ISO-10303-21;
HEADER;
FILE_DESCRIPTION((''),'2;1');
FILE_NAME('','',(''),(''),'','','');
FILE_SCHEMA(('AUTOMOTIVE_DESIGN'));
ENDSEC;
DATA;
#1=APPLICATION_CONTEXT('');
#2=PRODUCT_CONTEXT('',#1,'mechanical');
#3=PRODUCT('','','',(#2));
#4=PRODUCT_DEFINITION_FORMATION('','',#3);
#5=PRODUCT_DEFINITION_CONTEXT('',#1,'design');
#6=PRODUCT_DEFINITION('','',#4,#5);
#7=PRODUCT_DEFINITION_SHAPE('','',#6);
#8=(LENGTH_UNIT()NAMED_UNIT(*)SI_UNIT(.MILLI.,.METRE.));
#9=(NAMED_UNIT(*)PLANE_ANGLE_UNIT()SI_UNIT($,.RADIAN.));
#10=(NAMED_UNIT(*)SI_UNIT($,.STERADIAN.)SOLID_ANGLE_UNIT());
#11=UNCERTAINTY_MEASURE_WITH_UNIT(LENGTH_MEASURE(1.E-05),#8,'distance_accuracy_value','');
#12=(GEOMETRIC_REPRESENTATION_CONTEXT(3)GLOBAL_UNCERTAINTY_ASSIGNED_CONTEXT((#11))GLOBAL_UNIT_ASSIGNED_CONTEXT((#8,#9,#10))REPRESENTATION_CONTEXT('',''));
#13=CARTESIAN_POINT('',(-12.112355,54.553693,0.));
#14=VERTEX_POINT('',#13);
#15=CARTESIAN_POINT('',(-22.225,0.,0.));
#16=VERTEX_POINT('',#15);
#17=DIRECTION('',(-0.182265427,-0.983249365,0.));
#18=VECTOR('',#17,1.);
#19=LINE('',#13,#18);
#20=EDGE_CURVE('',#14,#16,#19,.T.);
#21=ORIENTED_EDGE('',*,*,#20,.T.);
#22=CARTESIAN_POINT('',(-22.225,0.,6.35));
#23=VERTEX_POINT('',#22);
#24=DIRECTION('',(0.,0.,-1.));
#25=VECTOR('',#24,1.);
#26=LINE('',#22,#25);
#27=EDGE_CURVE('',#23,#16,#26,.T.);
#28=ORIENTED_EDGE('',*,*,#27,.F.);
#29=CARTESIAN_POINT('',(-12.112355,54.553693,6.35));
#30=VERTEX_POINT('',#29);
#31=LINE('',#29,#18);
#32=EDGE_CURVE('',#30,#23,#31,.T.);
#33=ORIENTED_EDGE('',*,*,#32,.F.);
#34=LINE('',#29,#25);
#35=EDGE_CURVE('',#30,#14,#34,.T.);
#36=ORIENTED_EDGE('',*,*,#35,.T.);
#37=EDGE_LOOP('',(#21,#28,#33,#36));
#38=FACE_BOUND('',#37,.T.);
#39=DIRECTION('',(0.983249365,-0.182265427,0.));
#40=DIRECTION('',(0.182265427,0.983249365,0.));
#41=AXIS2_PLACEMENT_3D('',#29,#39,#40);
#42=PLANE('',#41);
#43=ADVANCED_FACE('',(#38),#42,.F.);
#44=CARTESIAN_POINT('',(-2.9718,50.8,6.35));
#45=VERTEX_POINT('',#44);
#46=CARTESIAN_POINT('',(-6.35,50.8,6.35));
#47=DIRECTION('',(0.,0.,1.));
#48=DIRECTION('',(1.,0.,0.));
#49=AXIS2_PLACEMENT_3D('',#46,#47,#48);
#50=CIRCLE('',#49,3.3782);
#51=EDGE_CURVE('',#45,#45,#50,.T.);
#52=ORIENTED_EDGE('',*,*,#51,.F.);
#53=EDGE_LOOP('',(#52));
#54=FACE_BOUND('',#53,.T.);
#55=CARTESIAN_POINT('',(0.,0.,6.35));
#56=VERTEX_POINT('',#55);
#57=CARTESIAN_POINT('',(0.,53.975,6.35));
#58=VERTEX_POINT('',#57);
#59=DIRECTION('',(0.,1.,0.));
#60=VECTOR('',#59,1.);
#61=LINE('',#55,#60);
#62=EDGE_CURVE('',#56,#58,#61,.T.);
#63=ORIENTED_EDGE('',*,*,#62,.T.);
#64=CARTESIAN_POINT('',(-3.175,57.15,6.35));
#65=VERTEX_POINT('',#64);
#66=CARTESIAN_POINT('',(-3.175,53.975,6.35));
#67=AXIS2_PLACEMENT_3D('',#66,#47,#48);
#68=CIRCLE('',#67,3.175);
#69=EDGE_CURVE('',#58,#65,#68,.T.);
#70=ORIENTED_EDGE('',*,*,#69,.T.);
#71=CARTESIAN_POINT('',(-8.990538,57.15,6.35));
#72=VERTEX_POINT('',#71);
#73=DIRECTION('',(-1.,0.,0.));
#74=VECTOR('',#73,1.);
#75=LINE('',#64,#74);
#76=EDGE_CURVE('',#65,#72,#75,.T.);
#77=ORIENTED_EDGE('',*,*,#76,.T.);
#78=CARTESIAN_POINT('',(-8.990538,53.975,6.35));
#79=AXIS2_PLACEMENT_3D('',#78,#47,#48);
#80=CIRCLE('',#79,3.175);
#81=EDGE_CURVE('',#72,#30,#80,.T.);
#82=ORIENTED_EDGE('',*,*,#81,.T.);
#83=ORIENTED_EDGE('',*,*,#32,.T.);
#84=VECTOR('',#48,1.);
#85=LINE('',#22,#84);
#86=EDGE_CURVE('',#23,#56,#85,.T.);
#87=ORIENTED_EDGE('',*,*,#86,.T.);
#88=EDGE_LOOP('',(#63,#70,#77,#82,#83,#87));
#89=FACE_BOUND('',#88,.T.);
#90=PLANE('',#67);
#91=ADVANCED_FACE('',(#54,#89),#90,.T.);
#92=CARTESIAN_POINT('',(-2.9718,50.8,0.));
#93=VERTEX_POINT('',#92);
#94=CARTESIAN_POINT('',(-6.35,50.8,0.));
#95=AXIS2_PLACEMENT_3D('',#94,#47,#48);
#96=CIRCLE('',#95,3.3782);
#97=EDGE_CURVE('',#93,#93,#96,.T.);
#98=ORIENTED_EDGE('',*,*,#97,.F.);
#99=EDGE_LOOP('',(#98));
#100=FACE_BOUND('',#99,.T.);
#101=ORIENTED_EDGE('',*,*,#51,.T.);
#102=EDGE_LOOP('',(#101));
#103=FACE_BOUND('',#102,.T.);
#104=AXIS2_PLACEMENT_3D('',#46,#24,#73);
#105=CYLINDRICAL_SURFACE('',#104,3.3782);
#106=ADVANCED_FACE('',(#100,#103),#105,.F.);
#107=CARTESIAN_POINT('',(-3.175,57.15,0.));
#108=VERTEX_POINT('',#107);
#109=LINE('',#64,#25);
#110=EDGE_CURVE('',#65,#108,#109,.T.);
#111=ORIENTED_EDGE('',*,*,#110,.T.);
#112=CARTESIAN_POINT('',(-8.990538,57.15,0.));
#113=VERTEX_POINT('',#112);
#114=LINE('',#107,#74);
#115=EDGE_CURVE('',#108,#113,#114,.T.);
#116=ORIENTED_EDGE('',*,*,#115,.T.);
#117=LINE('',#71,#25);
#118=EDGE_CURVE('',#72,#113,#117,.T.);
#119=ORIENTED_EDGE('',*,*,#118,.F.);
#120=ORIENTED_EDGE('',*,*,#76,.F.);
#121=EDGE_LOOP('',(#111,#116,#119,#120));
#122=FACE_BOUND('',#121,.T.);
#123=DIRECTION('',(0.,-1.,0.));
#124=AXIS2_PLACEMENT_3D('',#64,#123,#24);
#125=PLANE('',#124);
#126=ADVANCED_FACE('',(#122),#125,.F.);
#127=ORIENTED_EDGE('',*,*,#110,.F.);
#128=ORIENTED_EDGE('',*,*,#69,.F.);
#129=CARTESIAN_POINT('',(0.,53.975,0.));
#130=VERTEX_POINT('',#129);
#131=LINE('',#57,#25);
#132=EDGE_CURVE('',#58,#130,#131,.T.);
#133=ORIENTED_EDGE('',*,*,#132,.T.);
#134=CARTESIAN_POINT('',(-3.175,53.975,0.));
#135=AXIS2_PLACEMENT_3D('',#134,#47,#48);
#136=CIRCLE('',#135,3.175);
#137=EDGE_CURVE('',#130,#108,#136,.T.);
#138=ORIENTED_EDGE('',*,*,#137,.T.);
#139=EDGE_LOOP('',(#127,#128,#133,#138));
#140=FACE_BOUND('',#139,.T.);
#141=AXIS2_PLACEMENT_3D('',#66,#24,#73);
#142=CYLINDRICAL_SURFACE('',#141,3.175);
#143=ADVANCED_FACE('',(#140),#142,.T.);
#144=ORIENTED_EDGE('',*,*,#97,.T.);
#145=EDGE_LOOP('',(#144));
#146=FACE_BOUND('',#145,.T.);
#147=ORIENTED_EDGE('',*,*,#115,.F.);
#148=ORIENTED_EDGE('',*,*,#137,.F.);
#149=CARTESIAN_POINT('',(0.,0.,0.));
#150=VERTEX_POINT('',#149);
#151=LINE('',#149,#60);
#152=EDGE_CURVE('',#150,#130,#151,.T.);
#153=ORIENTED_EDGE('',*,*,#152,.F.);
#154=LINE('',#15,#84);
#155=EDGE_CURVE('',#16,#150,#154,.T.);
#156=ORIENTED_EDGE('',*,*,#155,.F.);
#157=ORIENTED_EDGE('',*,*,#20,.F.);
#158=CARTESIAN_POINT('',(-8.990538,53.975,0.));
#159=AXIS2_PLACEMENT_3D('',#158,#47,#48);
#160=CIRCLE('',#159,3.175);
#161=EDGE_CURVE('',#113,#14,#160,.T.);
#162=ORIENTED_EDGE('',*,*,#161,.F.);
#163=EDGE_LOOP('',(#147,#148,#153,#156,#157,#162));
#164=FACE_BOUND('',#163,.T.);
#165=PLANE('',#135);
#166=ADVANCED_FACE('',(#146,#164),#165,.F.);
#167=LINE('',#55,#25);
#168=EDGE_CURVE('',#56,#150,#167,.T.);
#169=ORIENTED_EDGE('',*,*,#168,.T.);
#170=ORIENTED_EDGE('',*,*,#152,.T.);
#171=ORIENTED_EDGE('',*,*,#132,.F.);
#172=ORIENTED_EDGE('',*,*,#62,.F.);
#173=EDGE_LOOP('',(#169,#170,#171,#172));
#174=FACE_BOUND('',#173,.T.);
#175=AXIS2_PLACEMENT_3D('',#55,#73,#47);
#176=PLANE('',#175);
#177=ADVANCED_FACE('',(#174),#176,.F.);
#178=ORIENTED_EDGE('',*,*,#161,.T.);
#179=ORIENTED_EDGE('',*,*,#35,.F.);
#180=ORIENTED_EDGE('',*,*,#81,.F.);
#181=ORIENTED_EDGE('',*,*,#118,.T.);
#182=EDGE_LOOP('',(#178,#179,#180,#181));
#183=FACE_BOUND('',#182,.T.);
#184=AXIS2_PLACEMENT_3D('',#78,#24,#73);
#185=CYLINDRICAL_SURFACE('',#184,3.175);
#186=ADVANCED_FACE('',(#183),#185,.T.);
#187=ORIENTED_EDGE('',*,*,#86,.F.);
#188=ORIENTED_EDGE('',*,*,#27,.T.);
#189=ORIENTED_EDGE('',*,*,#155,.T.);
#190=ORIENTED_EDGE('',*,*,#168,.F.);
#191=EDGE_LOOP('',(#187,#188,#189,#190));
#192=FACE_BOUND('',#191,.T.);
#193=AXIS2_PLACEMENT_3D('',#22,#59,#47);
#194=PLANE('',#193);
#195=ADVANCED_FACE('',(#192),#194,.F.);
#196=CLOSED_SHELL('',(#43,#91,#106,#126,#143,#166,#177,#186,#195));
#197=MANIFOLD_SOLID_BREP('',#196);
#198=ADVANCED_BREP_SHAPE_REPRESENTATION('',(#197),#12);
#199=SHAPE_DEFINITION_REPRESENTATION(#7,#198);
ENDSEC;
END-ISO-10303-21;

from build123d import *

# Parameters (mm, degrees)
SKETCH1_R           = 3.3782
BOSS_EXTRUDE1_DEPTH = 6.35


with BuildPart() as part:
    # Sketch1 → Boss-Extrude1 (new body)
    with BuildSketch(Plane.XY):
        with BuildLine():
            Line((0, 0), (0, 53.975))
            ThreePointArc((0, 53.975), (-0.92993597, 56.22006403), (-3.175, 57.15))
            Line((-3.175, 57.15), (-8.990537957, 57.15))
            ThreePointArc((-8.990537957, 57.15), (-11.020719671, 56.416103686), (-12.112354692, 54.55369273))
            Line((-12.112354692, 54.55369273), (-22.225, 0))
            Line((-22.225, 0), (0, 0))
        make_face()
        with Locations((-6.35, 50.8)):
            Circle(SKETCH1_R, mode=Mode.SUBTRACT)
    extrude(amount=BOSS_EXTRUDE1_DEPTH)


solid = part.part
